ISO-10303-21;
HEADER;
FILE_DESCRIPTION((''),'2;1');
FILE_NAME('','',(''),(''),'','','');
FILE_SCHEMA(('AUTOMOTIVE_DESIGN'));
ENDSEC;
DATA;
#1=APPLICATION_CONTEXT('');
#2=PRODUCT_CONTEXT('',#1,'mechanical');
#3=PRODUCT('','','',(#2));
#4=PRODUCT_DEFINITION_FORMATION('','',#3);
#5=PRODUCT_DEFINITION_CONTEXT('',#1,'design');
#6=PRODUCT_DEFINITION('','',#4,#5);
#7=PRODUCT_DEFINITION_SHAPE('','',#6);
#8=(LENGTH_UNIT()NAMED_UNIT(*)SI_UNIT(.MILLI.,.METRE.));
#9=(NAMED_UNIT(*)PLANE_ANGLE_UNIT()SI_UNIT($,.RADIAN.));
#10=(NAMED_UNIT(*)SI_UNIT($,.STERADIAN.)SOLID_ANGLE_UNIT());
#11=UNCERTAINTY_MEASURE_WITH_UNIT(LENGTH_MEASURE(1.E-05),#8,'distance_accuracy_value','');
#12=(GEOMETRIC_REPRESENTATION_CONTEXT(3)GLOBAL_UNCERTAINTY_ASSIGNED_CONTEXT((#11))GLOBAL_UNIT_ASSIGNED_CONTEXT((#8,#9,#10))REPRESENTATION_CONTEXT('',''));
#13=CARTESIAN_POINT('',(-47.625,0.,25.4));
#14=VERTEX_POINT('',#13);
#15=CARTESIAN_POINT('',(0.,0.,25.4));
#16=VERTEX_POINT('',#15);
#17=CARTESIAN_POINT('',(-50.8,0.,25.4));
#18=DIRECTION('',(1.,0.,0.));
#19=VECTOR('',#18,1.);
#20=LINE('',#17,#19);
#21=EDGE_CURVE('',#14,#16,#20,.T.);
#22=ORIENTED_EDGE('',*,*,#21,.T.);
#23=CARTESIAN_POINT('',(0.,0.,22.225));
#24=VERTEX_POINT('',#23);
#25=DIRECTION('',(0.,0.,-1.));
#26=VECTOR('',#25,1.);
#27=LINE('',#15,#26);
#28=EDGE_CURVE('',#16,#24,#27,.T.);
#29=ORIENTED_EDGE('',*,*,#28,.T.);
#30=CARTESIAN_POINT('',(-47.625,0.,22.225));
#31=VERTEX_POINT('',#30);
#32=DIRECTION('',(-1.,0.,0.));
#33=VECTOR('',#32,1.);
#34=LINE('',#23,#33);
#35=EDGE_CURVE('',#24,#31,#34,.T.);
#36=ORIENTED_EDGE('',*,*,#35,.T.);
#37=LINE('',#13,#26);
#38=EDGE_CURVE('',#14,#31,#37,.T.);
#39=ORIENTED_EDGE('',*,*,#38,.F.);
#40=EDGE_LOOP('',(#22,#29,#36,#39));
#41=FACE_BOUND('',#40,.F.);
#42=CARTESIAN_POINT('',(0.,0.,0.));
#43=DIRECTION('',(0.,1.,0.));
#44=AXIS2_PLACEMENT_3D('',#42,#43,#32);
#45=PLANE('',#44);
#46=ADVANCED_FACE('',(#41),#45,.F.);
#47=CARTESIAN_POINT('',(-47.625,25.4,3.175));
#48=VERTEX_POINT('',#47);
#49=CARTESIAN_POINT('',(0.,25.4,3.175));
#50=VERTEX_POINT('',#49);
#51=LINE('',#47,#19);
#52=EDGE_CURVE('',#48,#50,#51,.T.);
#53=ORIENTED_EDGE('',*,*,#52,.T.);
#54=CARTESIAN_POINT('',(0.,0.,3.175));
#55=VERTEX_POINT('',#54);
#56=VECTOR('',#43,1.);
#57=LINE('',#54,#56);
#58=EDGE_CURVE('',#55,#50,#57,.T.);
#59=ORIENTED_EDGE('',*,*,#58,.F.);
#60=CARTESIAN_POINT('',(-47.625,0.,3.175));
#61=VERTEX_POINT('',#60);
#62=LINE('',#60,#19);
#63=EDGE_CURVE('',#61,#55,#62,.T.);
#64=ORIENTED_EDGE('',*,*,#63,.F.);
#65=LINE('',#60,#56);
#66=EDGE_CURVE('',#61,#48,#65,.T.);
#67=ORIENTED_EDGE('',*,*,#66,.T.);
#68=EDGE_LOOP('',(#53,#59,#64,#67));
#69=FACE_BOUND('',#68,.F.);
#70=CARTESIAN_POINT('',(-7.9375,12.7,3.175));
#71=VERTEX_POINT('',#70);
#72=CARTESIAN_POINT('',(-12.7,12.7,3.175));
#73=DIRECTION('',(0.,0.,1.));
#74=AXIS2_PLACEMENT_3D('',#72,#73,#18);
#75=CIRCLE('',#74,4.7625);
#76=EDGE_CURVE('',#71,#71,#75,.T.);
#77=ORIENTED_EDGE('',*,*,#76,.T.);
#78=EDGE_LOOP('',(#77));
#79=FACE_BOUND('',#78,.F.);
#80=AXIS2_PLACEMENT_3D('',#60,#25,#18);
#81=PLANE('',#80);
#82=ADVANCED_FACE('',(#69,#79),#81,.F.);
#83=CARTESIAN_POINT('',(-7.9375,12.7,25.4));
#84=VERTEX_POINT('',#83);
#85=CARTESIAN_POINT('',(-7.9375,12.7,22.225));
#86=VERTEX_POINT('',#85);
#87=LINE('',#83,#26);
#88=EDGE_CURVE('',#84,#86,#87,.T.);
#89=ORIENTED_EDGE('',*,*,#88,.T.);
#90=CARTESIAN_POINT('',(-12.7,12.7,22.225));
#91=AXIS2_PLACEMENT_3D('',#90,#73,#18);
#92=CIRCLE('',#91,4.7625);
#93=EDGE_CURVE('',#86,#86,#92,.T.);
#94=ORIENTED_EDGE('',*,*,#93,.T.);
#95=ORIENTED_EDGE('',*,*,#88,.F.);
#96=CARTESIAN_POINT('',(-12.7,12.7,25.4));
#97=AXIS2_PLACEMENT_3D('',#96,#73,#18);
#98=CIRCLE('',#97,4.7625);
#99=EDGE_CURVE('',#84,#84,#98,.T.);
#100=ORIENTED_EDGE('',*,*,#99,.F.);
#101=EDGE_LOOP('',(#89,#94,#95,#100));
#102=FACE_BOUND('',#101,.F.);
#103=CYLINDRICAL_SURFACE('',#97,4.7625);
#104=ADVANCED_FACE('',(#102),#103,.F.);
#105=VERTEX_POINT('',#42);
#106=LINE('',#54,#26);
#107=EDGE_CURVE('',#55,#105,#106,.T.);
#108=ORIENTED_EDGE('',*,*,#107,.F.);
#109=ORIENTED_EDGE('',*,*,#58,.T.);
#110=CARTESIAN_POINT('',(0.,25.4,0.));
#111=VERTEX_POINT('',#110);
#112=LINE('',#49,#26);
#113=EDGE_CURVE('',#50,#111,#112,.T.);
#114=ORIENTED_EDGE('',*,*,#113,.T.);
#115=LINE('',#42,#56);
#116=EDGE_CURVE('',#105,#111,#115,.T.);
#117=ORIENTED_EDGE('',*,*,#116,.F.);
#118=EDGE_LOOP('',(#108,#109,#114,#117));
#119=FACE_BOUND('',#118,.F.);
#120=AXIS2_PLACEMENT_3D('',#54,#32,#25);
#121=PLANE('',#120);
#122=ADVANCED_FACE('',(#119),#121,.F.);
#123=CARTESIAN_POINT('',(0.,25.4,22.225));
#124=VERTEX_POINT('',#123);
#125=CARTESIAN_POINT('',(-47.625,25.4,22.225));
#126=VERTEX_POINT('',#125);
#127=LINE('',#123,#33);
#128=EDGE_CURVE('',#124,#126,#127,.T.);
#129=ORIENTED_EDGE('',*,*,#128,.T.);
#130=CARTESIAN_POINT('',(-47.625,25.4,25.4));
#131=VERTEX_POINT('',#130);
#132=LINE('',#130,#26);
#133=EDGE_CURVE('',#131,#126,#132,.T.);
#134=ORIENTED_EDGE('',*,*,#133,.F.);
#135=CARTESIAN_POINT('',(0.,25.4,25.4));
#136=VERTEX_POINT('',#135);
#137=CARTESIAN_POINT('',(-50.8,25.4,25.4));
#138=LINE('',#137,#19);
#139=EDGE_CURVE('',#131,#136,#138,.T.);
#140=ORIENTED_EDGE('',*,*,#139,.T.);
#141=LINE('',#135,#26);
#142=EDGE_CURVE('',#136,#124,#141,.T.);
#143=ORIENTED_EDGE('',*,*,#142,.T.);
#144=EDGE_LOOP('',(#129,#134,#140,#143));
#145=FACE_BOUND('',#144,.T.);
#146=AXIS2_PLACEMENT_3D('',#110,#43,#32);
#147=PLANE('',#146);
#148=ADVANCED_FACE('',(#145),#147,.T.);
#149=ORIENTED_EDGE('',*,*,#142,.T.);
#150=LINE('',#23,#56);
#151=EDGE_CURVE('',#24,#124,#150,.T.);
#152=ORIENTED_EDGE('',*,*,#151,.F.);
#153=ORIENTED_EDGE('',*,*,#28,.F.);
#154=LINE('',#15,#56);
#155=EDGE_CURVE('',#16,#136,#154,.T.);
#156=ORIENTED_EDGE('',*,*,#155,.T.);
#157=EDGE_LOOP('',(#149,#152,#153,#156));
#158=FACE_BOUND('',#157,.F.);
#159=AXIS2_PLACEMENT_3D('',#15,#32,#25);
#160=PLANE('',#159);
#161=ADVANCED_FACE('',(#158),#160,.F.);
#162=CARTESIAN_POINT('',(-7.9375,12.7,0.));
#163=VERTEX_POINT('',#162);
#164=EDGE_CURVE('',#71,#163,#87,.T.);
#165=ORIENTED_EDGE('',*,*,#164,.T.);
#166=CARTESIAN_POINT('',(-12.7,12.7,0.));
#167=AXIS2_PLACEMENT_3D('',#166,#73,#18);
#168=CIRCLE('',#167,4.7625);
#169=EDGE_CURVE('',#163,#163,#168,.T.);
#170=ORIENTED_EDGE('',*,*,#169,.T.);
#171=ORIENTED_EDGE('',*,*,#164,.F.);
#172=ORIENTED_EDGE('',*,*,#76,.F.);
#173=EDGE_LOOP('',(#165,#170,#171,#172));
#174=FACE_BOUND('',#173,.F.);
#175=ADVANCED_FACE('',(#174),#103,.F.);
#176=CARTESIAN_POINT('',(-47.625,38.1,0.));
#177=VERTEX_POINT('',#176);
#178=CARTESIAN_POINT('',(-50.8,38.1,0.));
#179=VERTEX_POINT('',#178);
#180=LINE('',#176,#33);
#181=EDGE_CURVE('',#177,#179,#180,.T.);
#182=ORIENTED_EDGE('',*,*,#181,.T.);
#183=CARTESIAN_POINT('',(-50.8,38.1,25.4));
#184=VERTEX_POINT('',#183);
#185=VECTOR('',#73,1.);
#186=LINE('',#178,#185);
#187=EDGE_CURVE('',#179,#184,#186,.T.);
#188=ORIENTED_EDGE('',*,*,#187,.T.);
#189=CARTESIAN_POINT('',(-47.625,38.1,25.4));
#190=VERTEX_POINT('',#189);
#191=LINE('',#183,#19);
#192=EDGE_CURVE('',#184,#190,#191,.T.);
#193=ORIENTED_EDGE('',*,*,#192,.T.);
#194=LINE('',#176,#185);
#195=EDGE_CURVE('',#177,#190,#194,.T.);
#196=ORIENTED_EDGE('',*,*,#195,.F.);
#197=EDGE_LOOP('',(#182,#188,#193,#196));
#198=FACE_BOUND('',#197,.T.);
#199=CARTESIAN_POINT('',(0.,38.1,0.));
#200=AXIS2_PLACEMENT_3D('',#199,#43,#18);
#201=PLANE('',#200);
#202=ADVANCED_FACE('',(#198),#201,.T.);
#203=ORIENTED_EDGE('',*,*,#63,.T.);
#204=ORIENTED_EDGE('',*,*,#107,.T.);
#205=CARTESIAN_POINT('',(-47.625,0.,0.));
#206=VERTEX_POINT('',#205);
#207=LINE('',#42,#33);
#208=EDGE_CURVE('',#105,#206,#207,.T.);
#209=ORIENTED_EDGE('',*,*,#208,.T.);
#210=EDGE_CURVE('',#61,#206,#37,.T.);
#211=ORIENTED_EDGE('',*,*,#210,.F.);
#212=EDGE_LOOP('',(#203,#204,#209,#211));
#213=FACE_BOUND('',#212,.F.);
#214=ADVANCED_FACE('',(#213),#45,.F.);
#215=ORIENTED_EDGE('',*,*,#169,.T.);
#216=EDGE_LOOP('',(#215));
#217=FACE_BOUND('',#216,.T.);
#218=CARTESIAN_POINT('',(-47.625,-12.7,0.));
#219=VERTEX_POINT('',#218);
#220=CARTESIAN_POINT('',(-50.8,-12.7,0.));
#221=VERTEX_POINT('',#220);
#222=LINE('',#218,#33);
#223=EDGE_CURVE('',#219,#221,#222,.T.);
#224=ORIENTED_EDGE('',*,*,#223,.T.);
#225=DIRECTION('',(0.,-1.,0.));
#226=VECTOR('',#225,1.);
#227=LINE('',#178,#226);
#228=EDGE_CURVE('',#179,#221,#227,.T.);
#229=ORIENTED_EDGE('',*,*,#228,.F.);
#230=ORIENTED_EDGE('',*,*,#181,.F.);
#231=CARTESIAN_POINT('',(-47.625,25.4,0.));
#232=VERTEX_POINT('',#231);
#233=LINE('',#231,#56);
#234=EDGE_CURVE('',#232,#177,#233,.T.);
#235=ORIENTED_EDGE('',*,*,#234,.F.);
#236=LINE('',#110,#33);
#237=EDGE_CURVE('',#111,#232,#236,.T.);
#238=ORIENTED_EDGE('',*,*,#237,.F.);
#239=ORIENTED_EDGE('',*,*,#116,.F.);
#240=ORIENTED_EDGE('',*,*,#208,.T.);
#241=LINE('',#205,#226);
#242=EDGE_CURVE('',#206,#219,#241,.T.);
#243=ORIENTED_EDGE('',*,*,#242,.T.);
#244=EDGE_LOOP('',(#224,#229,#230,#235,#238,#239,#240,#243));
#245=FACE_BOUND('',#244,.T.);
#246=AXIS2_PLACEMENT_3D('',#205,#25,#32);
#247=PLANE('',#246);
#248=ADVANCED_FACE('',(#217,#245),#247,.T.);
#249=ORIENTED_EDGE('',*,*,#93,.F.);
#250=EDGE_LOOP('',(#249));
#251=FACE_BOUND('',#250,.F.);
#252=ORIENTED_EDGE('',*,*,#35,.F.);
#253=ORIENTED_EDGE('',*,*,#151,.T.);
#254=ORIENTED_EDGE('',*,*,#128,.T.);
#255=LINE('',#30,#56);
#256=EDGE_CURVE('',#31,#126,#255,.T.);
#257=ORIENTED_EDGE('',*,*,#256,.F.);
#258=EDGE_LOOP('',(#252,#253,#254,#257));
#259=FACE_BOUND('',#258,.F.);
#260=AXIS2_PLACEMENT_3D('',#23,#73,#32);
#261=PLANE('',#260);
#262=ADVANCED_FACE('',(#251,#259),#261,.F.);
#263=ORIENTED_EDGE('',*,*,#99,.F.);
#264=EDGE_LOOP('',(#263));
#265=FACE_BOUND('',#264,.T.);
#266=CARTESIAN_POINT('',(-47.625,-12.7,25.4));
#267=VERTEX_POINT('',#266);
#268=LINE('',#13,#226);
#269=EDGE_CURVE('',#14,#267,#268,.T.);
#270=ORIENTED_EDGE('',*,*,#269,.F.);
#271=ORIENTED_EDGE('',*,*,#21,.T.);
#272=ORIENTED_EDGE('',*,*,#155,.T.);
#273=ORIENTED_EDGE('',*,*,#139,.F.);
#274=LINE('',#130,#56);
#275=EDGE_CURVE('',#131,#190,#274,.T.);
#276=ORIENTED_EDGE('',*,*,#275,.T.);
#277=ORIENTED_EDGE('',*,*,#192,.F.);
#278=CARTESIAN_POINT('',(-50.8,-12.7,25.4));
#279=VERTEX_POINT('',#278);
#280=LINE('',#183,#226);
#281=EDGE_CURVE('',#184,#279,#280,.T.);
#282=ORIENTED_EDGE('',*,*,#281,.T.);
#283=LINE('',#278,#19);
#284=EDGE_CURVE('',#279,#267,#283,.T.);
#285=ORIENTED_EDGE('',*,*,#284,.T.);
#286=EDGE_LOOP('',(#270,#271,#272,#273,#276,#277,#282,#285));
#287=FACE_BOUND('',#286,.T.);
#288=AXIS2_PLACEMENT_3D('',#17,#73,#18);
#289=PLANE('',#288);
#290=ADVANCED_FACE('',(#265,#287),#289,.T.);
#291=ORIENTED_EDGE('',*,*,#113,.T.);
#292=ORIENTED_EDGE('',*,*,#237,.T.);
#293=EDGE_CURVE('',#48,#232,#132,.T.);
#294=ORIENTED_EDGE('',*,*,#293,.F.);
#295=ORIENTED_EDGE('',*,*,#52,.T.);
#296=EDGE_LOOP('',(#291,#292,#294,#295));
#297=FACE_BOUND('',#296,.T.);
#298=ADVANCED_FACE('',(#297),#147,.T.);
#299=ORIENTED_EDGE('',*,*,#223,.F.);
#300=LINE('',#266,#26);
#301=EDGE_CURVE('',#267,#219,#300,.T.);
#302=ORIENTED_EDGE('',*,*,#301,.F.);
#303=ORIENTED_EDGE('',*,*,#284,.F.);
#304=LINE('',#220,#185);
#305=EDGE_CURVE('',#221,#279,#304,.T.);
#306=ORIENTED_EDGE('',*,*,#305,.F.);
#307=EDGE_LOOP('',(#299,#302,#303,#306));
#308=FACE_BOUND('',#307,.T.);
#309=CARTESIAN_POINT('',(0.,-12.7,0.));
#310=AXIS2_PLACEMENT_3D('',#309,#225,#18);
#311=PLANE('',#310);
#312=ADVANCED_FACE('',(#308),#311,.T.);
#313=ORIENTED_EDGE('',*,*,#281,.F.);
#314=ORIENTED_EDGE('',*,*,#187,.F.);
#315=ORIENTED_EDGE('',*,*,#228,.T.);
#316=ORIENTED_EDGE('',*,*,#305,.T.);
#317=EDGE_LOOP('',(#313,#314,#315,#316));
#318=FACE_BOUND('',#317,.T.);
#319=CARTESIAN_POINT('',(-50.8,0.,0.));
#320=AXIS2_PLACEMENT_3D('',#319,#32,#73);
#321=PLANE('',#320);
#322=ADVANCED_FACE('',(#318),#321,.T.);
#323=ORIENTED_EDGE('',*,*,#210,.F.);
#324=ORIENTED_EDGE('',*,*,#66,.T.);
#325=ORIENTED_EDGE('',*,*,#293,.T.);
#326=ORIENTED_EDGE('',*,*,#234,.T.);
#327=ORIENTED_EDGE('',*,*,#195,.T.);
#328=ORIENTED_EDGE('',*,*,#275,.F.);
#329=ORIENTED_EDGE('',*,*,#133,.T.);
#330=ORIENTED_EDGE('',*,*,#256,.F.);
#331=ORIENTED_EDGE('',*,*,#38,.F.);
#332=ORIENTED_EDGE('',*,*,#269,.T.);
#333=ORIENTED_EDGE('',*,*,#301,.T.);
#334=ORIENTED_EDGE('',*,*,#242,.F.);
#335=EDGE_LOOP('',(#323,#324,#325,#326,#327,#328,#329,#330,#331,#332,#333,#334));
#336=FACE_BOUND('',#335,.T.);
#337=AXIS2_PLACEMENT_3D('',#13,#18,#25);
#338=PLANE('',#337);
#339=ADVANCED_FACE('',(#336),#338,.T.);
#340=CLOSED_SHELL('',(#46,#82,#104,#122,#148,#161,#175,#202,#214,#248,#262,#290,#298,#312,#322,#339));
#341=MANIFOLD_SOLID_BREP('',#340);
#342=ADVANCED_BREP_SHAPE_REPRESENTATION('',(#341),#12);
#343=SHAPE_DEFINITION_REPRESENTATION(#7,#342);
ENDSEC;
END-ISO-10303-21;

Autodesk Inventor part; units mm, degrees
ref_plane "YZ Plane" through (0, 0, 0) normal (1, 0, 0) x (0, 1, 0)
ref_plane "XZ Plane" through (0, 0, 0) normal (0, 1, 0) x (-1, 0, 0)
ref_plane "XY Plane" through (0, 0, 0) normal (0, 0, 1) x (1, 0, 0)
sketch "Sketch1" plane through (0, 0, 0) normal (0, 1, 0) x (-1, 0, 0)
  line L0 (0, 0) -> (50.8, 0)
  line L1 (50.8, 0) -> (50.8, 25.4)
  line L2 (50.8, 25.4) -> (0, 25.4)
  line L3 (0, 25.4) -> (0, 22.225)
  line L4 (0, 22.225) -> (47.625, 22.225)
  line L5 (47.625, 22.225) -> (47.625, 3.175)
  line L6 (47.625, 3.175) -> (0, 3.175)
  line L7 (0, 3.175) -> (0, 0)
  dimension "d0" = 3.175
  dimension "d1" = 3.175
  dimension "d2" = 19.05
  dimension "d3" = 50.8
extrude "Extrusion1" add sketch "Sketch1" along normal blind 25.4
sketch "Sketch2" plane through (0, 25.4, 0) normal (0, 1, 0) x (1, 0, 0)
  line L0 (-50.8, -25.4) -> (0, -25.4) projected
  line L1 (-50.8, -25.4) -> (-47.625, -25.4)
  line L2 (-47.625, -25.4) -> (-47.625, 0)
  line L3 (-47.625, 0) -> (-50.8, 0)
  line L4 (-50.8, 0) -> (-50.8, -25.4)
  line L5 (-47.625, -22.225) -> (-47.625, -3.175) projected
  line L6 (0, 0) -> (-50.8, 0) projected
extrude "Extrusion2" add sketch "Sketch2" along normal blind 12.7
sketch "Sketch3" plane through (0, 0, 0) normal (0, -1, 0) x (1, 0, 0)
  line L0 (-50.8, 25.4) -> (0, 25.4) projected
  line L1 (0, 0) -> (-47.625, 0) projected
  line L2 (-50.8, 25.4) -> (-47.625, 25.4)
  line L3 (-47.625, 25.4) -> (-47.625, 0)
  line L4 (-47.625, 0) -> (-50.8, 0)
  line L5 (-50.8, 0) -> (-50.8, 25.4)
extrude "Extrusion3" add sketch "Sketch3" along normal blind 12.7
sketch "Sketch4" plane through (-47.625, 0, 25.4) normal (0, 0, 1) x (1, 0, 0)
  circle A0 centre (34.925, 12.7) radius 4.7625
  line L0 (0, 0) -> (47.625, 0) projected
  line L1 (47.625, 0) -> (47.625, 25.4) projected
  dimension "d10" = 9.525
  dimension "d11" = 12.7
  dimension "d12" = 12.7
extrude "Extrusion4" cut sketch "Sketch4" against normal blind 25.4
properties part number "base" material "Aluminum 6061"
